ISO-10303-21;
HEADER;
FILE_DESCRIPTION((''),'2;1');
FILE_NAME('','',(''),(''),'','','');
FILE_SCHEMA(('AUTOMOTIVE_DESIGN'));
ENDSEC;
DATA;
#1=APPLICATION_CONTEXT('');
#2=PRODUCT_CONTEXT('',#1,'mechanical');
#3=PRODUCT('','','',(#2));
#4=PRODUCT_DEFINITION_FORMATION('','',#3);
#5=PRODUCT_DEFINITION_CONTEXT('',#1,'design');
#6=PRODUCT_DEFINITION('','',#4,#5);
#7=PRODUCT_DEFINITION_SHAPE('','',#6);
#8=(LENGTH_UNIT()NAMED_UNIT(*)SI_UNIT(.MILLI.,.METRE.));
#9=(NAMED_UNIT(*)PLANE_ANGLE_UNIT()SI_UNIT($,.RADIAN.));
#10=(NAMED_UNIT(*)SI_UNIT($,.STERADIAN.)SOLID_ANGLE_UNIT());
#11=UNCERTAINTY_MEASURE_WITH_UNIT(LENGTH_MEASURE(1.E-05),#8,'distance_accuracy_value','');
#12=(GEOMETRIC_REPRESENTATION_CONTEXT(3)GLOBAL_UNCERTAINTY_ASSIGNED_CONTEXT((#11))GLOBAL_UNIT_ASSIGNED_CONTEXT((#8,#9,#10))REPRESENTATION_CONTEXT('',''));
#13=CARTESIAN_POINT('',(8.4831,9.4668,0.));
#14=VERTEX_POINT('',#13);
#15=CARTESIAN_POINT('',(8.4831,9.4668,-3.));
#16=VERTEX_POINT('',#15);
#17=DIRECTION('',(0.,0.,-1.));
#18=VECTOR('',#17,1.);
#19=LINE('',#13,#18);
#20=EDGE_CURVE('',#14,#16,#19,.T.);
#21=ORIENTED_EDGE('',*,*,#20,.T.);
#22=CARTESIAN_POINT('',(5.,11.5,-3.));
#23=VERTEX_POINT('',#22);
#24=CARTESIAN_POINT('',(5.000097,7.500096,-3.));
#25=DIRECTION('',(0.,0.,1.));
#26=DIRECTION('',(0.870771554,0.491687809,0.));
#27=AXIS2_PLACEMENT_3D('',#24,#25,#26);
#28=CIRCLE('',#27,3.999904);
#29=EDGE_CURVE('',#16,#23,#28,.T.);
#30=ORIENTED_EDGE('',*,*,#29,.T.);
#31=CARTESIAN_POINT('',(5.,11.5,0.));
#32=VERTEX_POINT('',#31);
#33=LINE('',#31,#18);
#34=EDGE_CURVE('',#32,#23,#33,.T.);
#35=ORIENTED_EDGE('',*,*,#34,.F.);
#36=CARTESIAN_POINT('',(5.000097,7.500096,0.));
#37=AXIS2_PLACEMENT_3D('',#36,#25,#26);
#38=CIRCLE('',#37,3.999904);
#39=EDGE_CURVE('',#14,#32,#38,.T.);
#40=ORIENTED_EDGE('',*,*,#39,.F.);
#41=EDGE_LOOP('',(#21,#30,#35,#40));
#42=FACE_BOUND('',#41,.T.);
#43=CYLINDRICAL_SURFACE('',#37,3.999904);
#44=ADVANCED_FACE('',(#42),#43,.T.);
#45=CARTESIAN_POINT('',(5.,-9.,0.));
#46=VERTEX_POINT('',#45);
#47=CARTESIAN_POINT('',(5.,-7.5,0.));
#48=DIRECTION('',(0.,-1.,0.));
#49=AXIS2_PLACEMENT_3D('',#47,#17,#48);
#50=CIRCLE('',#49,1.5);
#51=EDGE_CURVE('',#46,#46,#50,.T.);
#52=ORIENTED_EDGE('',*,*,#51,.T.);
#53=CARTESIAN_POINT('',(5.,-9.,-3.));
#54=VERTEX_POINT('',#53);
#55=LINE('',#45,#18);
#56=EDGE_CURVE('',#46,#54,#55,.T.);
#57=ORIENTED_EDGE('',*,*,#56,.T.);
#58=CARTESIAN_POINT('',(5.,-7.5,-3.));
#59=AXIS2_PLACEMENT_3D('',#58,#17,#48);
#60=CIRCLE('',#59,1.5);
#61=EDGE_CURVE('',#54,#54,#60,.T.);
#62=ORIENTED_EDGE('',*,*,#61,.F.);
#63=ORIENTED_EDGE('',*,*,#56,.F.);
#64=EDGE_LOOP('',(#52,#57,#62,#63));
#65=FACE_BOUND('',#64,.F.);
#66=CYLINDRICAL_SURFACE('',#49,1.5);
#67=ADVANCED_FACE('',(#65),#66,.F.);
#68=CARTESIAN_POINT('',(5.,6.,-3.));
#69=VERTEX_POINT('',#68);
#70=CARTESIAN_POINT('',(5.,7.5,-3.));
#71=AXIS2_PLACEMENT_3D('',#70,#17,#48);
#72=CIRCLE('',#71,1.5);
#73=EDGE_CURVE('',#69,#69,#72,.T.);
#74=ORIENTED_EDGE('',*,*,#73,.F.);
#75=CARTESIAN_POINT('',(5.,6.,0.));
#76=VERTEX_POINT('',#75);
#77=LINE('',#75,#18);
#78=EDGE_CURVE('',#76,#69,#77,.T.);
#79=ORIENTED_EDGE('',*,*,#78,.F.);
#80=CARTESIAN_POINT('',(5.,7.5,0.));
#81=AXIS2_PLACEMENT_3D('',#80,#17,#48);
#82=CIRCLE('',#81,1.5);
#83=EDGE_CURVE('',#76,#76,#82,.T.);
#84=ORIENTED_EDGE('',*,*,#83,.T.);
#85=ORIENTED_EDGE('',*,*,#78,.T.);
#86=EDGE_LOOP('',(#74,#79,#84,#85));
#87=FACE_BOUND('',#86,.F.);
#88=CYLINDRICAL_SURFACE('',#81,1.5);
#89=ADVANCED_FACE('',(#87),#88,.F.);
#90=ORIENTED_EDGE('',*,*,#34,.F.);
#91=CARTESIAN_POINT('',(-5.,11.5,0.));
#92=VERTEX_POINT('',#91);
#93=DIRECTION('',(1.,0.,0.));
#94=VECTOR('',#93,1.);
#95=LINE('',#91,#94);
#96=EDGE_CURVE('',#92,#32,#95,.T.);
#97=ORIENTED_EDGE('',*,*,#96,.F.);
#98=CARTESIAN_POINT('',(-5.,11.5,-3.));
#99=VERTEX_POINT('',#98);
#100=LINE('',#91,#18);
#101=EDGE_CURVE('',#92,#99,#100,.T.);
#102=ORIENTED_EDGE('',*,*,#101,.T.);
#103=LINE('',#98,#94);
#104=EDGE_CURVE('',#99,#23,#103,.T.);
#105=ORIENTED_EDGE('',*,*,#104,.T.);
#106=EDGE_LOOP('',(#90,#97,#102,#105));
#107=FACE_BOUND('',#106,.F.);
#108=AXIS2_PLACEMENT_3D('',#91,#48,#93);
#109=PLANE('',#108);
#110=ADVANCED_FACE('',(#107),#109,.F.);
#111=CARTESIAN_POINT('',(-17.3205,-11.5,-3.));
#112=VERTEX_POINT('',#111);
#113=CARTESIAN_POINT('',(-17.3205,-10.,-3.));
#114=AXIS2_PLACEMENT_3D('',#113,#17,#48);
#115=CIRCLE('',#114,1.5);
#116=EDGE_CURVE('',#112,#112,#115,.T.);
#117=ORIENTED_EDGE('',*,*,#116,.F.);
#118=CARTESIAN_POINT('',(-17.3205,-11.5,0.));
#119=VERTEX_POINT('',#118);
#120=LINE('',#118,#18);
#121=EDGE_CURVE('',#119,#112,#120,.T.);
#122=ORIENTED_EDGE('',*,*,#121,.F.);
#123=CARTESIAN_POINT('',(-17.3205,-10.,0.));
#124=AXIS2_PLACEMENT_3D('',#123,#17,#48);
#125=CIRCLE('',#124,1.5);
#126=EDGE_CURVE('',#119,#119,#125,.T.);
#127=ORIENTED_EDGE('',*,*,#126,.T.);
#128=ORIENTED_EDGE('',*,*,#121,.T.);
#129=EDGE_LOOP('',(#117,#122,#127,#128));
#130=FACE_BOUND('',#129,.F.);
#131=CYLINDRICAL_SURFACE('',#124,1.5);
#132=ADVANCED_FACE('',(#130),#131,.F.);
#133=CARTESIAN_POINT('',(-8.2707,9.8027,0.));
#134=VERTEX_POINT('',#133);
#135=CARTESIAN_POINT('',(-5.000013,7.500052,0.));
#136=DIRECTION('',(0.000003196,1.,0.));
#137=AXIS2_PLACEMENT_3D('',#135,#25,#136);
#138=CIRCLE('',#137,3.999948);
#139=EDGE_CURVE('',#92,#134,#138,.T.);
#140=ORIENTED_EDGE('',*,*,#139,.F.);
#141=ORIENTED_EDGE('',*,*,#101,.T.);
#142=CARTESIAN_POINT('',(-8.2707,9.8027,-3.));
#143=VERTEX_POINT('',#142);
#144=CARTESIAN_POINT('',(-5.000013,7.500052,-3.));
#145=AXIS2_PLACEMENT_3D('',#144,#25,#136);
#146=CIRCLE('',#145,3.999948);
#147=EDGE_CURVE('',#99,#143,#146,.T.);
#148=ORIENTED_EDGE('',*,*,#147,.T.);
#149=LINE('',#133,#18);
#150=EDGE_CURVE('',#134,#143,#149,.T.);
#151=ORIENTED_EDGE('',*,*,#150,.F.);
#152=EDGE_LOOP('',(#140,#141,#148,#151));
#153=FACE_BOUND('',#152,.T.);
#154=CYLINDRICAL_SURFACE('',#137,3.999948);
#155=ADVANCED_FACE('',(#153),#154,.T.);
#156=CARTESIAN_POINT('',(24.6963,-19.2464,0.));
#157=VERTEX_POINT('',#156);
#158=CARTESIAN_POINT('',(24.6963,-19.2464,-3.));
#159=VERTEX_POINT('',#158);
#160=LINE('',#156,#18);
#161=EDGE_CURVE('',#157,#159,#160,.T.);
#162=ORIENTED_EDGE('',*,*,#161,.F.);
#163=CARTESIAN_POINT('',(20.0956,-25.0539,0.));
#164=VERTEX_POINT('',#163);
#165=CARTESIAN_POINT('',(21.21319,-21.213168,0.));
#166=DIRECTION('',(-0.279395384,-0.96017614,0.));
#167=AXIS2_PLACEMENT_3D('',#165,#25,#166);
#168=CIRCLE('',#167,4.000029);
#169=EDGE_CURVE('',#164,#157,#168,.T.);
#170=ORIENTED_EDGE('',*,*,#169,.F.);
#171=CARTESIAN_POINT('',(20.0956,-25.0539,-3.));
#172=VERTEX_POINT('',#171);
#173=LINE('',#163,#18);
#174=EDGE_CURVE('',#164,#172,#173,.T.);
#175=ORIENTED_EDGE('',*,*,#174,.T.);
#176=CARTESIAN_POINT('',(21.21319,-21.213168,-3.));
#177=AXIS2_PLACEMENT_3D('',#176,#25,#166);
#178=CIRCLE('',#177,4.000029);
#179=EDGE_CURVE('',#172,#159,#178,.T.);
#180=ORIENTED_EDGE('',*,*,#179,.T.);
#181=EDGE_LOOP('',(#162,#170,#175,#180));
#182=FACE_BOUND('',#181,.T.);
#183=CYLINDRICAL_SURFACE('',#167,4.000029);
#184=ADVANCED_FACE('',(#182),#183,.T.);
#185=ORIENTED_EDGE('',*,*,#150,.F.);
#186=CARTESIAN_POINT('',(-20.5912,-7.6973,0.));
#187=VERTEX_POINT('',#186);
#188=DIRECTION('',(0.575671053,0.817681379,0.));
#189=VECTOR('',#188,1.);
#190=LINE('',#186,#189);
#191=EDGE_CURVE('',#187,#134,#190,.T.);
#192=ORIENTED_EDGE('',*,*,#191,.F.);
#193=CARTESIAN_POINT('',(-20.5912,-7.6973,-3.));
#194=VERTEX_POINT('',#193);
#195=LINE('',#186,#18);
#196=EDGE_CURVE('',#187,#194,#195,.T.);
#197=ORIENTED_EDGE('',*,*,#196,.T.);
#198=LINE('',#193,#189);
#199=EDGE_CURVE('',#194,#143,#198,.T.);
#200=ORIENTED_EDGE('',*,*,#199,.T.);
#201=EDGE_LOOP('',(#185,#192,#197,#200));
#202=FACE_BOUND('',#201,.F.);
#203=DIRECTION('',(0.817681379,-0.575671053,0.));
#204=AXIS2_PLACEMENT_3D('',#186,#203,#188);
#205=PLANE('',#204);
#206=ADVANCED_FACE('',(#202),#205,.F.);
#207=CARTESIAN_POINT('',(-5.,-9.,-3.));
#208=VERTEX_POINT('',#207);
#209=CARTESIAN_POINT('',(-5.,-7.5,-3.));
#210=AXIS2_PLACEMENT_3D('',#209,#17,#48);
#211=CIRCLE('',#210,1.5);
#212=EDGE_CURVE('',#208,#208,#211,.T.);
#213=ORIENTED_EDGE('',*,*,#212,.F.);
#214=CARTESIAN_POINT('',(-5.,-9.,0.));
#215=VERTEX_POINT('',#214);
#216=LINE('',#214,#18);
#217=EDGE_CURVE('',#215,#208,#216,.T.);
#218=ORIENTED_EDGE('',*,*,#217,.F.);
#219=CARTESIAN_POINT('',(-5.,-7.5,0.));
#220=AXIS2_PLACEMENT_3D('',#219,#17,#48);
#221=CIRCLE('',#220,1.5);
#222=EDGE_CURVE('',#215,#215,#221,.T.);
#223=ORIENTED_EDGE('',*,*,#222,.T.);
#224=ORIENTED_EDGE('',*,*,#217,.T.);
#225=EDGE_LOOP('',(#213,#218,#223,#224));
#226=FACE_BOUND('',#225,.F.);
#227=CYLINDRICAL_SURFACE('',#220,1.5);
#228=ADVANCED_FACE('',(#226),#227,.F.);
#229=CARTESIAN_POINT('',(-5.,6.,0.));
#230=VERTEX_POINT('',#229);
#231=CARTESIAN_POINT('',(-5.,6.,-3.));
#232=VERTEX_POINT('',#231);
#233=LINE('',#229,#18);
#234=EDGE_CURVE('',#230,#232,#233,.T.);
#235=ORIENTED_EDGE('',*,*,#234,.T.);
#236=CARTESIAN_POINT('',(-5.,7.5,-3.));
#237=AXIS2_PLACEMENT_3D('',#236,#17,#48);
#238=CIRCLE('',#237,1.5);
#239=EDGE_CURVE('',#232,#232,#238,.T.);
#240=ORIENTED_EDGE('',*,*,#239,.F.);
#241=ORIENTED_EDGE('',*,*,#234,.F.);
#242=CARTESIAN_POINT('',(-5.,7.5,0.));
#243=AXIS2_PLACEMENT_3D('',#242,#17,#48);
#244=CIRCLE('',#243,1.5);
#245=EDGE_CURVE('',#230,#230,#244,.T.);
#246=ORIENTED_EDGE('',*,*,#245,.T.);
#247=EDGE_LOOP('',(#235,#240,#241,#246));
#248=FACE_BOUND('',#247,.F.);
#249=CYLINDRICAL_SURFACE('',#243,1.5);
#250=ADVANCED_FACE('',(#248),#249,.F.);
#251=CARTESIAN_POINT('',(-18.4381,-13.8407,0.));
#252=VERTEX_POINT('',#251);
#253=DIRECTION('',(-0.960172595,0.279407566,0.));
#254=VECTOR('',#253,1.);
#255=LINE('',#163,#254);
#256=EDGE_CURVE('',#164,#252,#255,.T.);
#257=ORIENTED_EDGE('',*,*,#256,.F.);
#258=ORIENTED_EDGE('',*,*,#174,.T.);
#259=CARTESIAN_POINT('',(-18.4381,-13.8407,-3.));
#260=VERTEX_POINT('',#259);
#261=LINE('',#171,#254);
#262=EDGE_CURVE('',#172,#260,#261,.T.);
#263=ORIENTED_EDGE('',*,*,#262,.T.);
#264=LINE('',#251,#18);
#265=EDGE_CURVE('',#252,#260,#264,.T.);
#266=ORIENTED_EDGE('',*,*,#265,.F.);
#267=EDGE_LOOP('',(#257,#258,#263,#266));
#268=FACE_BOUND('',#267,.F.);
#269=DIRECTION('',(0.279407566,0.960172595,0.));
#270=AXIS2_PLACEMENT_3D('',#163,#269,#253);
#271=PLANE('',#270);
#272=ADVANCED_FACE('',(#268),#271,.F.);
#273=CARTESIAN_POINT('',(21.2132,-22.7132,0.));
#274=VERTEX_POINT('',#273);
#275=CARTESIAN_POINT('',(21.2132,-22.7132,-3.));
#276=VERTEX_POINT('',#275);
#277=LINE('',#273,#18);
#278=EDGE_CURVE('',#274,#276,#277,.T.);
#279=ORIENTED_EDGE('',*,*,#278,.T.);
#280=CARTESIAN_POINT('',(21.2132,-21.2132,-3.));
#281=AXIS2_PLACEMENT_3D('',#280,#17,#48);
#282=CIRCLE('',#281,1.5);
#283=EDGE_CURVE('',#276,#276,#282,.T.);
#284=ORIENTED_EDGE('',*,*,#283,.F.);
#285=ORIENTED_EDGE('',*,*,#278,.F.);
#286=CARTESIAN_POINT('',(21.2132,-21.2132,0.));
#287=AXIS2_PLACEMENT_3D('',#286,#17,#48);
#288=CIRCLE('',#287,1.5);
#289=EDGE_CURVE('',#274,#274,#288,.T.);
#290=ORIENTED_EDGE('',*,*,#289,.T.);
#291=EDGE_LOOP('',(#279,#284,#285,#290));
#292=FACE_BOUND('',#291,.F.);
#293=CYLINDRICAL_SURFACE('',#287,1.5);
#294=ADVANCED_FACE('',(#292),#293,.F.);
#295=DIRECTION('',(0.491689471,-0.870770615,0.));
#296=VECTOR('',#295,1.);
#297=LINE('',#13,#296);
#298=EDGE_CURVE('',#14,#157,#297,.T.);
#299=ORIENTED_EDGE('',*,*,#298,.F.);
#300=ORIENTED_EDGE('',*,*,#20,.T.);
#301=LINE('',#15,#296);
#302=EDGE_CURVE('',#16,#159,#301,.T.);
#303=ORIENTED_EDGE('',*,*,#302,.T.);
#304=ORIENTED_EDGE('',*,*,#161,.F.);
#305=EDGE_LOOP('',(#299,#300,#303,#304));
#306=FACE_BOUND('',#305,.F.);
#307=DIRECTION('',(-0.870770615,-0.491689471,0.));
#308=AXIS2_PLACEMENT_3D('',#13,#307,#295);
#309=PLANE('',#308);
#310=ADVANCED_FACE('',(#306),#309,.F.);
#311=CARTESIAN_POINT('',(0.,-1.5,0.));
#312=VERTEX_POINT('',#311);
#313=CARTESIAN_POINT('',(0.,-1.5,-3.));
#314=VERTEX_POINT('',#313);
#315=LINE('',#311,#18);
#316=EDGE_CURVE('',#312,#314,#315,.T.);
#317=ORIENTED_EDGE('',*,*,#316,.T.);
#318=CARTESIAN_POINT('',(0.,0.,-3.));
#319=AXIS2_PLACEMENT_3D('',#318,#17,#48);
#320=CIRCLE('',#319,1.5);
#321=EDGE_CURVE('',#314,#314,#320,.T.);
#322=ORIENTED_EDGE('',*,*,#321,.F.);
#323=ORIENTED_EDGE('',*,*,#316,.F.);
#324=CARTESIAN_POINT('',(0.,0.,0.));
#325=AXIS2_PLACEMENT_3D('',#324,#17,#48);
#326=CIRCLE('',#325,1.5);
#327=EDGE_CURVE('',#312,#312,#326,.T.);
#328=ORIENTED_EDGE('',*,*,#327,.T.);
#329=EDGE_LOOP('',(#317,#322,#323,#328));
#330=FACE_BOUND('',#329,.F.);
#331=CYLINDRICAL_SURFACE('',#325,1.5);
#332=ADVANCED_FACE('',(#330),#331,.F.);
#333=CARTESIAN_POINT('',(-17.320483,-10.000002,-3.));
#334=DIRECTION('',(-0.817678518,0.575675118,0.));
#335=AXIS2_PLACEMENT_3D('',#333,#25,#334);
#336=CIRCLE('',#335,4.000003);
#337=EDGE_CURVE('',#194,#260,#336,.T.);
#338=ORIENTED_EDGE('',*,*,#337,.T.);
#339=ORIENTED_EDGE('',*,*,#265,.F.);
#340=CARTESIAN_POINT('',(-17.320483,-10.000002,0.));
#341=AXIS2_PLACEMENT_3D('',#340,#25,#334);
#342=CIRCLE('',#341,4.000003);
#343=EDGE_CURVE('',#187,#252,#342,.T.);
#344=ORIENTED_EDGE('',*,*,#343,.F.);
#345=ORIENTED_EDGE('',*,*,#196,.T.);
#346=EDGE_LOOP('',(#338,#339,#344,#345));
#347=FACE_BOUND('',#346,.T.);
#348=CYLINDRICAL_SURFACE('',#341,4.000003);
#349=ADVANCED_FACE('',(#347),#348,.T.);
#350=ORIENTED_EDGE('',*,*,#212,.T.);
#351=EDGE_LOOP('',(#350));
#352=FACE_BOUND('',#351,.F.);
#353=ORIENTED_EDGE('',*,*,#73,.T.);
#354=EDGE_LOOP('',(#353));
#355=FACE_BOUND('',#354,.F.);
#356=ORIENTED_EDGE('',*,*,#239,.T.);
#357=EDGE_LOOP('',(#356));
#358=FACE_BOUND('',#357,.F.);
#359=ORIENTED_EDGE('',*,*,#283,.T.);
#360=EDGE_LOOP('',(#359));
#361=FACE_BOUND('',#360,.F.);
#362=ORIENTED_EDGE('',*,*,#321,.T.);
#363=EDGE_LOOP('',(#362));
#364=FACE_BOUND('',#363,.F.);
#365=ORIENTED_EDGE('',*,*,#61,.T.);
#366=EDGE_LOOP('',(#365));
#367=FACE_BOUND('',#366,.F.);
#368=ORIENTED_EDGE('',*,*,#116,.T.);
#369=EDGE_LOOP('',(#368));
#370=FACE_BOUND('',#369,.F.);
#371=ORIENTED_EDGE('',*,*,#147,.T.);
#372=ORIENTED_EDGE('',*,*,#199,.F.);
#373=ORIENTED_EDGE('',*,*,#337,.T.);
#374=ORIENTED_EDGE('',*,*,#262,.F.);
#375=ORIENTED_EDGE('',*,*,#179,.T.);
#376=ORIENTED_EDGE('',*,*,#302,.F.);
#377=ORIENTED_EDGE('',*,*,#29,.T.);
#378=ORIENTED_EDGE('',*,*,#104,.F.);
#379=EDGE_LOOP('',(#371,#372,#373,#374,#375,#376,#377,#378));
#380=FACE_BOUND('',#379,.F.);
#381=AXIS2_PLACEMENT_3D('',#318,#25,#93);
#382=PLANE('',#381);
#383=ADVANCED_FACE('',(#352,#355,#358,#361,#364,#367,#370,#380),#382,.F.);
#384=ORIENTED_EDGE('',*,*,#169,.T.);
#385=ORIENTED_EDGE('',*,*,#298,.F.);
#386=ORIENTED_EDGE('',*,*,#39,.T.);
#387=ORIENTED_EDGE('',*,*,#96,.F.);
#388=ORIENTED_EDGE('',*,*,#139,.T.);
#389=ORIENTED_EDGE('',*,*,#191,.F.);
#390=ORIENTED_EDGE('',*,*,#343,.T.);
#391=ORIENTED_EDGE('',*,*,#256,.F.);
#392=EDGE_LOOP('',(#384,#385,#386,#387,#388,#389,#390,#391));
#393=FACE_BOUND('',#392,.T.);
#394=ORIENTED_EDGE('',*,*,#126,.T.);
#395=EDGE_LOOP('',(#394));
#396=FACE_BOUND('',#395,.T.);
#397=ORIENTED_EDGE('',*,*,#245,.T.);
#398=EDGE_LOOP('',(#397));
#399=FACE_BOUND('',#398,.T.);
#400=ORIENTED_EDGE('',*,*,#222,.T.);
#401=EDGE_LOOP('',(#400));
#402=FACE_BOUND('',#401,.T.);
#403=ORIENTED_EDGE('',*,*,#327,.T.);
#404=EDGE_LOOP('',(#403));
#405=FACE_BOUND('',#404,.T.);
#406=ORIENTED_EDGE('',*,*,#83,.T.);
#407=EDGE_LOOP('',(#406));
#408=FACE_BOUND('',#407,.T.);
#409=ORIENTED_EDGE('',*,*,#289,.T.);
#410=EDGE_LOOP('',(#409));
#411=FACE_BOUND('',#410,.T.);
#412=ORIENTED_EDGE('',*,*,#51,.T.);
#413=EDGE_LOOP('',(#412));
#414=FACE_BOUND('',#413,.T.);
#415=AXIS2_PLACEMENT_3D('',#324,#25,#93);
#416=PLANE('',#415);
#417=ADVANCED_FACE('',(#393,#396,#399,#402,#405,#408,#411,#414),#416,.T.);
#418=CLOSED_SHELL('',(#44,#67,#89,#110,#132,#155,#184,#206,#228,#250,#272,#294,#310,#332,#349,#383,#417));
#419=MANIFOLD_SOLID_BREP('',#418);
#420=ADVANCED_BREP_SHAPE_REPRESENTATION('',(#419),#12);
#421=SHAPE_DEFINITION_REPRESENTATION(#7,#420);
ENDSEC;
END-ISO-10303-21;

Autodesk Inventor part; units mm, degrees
ref_plane "YZ Plane" through (0, 0, 0) normal (1, 0, 0) x (0, 1, 0)
ref_plane "XZ Plane" through (0, 0, 0) normal (0, 1, 0) x (-1, 0, 0)
ref_plane "XY Plane" through (0, 0, 0) normal (0, 0, 1) x (1, 0, 0)
sketch "Sketch1" plane through (0, 0, 0) normal (0, 0, 1) x (1, 0, 0)
  line L0 (5, -7.5) -> (-5, -7.5) construction
  line L1 (-5, -7.5) -> (-5, 7.5) construction
  line L2 (-5, 7.5) -> (5, 7.5) construction
  line L3 (5, 7.5) -> (5, -7.5) construction
  line L4 (5, -7.5) -> (-5, 7.5) construction
  line L5 (-5, -7.5) -> (5, 7.5) construction
  line L6 (0, 0) -> (21.2132, -21.2132) construction
  line L7 (0, 0) -> (-17.3205, -10) construction
  line L8 (-20.5912, -7.6973) -> (-8.2707, 9.8027)
  arc A0 (-5, 11.5) -> (-8.2707, 9.8027) centre (-5, 7.5) ccw
  line L9 (-5, 11.5) -> (5, 11.5)
  arc A1 (8.4831, 9.4668) -> (5, 11.5) centre (5, 7.5) ccw
  line L10 (8.4831, 9.4668) -> (24.6963, -19.2464)
  arc A2 (20.0956, -25.0539) -> (24.6963, -19.2464) centre (21.2132, -21.2132) ccw
  line L11 (20.0956, -25.0539) -> (-18.4381, -13.8407)
  arc A3 (-20.5912, -7.6973) -> (-18.4381, -13.8407) centre (-17.3205, -10) ccw
  dimension "d0" = 10
  dimension "d1" = 15
  dimension "d2" = 30
  dimension "d4" = 45
  dimension "d5" = 30
  dimension "d6" = 20
  dimension "d7" = 4
extrude "Extrusion1" add sketch "Sketch1" against normal blind 3
hole "Hole1" at (-5, 7.5, 0) at (5, 7.5, 0) at (5, -7.5, 0) at (-5, -7.5, 0) direction (0, 0, -1) diameter 3 depth 8 tip angle 118
hole "Hole2" at (-17.3205, -10, 0) at (21.2132, -21.2132, 0) direction (0, 0, -1) diameter 3 depth 8 tip angle 118
hole "Hole3" at (0, 0, 0) direction (0, 0, -1) diameter 3 depth 8 tip angle 118
properties part number "LegBase_front"
